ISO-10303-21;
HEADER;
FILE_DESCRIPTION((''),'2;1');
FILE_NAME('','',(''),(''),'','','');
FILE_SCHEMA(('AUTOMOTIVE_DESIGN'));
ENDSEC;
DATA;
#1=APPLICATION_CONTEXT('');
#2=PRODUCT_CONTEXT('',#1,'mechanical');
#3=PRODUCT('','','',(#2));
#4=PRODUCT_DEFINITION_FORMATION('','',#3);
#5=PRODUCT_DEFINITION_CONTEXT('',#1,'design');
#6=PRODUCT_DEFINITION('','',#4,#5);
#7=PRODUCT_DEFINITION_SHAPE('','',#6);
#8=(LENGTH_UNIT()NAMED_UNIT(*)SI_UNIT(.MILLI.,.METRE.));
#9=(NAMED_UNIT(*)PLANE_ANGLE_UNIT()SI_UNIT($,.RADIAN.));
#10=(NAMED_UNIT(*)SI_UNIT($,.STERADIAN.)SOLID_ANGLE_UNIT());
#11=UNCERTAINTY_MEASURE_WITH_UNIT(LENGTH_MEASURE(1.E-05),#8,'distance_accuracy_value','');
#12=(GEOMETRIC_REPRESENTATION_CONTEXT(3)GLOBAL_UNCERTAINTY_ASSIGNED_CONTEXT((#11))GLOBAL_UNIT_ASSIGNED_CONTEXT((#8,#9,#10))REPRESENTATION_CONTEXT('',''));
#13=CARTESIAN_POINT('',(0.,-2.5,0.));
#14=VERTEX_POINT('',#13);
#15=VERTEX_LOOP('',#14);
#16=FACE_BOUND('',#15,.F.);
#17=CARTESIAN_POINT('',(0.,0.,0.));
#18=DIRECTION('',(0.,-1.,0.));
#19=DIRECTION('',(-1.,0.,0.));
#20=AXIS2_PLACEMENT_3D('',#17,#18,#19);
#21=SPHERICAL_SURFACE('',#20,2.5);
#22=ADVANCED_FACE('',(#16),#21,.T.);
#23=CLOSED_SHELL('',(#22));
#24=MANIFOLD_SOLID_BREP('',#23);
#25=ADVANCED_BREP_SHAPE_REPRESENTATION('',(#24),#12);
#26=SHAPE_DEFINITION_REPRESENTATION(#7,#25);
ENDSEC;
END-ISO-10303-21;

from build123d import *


with BuildPart() as part:
    # 草图1 one side → 旋转5 (revolve)
    with BuildSketch(Plane.XY):
        with BuildLine():
            Line((0, -2.5), (0, 2.5))
            ThreePointArc((0, 2.5), (-2.5, 0), (0, -2.5))
        make_face()
    revolve(axis=Axis((0, -2.878220792, 0), (0, 1, 0)))


solid = part.part
